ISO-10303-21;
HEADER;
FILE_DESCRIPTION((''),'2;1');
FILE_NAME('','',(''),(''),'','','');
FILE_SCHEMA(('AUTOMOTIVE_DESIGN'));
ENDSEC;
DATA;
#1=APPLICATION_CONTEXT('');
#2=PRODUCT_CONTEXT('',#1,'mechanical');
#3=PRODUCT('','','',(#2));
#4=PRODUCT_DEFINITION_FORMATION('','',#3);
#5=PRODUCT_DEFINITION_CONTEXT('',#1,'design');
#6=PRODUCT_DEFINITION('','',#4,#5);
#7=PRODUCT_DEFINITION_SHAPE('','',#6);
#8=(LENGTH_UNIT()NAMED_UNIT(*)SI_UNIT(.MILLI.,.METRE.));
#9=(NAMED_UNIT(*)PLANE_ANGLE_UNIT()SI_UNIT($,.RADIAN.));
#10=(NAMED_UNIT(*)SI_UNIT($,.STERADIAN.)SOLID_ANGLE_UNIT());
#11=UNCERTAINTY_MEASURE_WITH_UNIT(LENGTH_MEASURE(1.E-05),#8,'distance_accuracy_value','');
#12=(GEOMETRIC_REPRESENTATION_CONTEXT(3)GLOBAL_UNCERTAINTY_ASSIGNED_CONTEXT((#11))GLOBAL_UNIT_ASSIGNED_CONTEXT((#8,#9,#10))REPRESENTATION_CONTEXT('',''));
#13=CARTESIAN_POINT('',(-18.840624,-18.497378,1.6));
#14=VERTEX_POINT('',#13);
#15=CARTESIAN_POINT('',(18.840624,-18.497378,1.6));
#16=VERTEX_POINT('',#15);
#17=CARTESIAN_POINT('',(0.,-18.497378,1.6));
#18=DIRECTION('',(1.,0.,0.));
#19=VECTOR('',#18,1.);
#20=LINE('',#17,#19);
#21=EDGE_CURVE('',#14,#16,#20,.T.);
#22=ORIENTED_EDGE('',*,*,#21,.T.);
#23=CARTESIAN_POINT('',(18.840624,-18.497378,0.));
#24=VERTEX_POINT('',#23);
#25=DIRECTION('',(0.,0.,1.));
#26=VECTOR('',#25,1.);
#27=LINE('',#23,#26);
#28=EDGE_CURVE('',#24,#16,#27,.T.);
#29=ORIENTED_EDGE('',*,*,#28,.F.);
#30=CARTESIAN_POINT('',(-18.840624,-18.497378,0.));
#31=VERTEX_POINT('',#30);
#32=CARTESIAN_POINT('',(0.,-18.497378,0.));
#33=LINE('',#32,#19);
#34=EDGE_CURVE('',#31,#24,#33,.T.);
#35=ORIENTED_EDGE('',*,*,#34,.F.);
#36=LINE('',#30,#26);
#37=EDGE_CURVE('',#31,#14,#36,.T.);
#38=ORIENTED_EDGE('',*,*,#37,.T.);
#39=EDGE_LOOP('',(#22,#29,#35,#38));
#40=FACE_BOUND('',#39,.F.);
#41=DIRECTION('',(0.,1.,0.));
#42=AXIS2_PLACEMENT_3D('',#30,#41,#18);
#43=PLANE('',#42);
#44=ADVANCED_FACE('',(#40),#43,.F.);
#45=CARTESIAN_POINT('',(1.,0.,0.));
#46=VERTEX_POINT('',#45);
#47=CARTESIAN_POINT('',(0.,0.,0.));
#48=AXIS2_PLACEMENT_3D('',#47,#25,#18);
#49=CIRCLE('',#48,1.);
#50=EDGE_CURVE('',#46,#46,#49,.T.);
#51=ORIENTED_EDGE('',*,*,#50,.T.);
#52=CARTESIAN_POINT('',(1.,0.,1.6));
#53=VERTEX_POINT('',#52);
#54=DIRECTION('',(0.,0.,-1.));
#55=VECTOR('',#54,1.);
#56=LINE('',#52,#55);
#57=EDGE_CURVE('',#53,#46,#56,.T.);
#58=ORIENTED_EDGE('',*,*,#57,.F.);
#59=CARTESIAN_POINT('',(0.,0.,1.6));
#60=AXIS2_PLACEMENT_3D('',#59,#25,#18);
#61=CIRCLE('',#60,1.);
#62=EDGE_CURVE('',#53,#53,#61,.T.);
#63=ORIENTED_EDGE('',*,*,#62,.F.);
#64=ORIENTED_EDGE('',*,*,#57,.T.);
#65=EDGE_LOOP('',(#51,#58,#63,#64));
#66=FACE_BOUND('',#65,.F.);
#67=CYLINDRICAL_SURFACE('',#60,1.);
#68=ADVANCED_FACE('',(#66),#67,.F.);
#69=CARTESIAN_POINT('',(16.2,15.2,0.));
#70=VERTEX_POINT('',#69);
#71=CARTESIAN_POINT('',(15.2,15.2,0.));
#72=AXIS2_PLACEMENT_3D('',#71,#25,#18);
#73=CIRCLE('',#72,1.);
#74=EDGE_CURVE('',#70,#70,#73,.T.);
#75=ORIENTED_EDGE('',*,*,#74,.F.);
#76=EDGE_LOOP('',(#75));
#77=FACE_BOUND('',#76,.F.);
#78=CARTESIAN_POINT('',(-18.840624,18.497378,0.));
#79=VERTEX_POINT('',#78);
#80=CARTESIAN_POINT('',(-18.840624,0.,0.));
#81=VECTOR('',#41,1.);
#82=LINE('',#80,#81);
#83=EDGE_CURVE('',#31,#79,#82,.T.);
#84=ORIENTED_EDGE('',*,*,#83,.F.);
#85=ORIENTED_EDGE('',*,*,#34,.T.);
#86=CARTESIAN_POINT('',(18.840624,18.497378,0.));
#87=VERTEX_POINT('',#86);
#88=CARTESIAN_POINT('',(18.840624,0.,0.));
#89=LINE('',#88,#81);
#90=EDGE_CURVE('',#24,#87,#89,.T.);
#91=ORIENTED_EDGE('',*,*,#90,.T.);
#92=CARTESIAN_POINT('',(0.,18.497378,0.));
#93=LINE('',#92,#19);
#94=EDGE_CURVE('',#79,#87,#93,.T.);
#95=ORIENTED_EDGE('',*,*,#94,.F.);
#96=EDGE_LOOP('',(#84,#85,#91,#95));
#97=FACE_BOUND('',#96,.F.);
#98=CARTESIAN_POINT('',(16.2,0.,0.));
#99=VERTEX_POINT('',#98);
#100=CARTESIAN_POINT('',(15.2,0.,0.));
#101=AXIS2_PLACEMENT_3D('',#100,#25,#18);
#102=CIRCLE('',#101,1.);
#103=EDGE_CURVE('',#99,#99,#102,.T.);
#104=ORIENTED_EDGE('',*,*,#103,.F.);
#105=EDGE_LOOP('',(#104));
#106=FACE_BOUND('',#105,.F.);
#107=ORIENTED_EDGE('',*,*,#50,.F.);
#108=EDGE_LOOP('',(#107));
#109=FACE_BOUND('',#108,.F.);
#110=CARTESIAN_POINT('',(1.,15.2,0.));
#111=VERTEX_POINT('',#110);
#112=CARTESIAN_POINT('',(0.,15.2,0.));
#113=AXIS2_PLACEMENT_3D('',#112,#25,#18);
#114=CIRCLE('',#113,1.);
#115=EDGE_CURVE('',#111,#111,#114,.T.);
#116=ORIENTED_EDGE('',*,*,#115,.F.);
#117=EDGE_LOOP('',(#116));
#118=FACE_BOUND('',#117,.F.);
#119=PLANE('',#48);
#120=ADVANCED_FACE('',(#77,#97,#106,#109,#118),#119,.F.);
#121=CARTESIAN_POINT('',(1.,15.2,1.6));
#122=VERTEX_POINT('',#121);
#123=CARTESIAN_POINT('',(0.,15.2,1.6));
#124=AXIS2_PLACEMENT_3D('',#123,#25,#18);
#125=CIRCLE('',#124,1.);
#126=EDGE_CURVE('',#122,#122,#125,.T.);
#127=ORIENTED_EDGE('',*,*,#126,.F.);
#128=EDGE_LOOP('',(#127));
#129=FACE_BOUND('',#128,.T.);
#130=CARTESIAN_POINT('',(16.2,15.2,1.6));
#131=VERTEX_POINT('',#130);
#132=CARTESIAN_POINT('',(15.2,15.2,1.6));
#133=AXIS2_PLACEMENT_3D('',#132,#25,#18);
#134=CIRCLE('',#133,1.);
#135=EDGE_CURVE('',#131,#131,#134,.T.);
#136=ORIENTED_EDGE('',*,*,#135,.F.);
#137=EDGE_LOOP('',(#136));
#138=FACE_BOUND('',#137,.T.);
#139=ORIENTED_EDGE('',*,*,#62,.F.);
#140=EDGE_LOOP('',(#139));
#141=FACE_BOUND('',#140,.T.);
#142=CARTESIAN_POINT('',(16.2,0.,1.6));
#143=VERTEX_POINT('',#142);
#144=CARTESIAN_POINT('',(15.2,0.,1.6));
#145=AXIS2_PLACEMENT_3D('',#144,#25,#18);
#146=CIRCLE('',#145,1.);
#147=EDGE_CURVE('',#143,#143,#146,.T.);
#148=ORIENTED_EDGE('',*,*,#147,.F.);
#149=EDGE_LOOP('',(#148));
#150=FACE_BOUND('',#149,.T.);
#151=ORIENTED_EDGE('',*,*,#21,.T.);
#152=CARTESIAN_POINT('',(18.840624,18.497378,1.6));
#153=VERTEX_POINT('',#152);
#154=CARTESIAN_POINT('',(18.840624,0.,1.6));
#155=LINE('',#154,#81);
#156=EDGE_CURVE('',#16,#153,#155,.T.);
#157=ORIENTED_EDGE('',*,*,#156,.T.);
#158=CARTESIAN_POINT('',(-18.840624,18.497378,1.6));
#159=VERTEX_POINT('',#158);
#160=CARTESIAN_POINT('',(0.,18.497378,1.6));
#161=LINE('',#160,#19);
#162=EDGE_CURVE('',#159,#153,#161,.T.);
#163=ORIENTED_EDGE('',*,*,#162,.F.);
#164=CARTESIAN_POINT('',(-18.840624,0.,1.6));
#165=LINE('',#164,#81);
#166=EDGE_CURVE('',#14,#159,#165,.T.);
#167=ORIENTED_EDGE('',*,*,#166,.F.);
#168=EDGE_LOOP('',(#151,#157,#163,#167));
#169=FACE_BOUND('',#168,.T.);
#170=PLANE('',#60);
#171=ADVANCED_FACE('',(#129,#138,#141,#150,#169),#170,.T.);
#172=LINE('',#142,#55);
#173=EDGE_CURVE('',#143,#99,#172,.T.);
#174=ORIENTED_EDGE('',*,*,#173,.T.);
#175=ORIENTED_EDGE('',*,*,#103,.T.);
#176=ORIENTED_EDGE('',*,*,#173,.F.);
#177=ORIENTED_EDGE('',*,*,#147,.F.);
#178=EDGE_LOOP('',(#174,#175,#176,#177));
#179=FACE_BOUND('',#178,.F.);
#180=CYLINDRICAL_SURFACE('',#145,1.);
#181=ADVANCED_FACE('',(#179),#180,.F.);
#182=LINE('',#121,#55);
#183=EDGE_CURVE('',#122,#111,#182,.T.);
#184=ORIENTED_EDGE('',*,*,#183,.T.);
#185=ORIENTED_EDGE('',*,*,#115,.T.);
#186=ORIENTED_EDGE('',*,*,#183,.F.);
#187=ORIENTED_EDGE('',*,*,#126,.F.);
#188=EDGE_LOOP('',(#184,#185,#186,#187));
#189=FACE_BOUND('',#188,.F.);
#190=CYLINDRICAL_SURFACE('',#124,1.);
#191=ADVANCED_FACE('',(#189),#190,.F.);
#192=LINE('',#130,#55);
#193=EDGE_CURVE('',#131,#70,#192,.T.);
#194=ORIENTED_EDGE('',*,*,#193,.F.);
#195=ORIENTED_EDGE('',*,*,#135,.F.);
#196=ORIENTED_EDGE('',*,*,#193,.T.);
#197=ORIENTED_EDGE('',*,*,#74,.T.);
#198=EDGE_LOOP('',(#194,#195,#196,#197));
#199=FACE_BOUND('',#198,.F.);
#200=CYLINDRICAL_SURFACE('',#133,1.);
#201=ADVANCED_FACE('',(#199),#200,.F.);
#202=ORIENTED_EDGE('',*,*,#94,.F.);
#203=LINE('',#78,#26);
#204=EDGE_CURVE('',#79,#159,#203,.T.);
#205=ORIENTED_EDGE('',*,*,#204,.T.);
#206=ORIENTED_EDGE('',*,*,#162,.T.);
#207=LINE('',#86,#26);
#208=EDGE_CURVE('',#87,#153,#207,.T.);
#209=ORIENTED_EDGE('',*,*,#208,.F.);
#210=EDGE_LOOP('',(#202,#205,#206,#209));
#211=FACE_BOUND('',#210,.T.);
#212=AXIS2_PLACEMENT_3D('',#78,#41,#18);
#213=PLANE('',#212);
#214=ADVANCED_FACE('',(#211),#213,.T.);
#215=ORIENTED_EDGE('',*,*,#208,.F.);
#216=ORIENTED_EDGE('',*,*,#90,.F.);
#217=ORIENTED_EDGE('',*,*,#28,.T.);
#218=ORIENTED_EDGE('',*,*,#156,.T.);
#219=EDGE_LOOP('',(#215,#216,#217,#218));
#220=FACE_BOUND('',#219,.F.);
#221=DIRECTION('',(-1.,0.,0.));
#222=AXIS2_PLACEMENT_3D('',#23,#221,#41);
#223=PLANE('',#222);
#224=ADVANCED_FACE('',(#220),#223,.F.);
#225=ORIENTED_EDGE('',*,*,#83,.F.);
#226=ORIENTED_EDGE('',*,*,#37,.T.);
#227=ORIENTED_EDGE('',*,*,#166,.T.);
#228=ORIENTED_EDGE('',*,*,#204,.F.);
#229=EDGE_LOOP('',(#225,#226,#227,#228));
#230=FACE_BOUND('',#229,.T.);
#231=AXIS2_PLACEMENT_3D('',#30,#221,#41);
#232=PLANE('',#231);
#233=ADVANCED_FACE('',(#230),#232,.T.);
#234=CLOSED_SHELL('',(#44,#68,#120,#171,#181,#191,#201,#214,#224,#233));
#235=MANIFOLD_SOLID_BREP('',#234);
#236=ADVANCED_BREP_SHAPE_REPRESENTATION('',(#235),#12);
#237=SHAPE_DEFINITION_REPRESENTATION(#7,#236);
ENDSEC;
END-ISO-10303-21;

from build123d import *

# Parameters (mm, degrees)
F0_W     = 37.681248
F0_H     = 36.994756
F1_DEPTH = 1.6
F2_R     = 1
F3_DEPTH = 25


with BuildPart() as f1:
    # F0 (on Top) → F1 (new body)
    with BuildSketch(Plane.XY):
        Rectangle(F0_W, F0_H)
    extrude(amount=F1_DEPTH)

    # F2 (on face) → F3 (cut)
    with BuildSketch(Plane.XY.offset(1.6)):
        Circle(F2_R)
        with Locations((0, 15.2)):
            Circle(F2_R)
        with Locations((15.2, 0)):
            Circle(F2_R)
        with Locations((15.2, 15.2)):
            Circle(F2_R)
    extrude(amount=-F3_DEPTH, mode=Mode.SUBTRACT)


solid = f1.part
